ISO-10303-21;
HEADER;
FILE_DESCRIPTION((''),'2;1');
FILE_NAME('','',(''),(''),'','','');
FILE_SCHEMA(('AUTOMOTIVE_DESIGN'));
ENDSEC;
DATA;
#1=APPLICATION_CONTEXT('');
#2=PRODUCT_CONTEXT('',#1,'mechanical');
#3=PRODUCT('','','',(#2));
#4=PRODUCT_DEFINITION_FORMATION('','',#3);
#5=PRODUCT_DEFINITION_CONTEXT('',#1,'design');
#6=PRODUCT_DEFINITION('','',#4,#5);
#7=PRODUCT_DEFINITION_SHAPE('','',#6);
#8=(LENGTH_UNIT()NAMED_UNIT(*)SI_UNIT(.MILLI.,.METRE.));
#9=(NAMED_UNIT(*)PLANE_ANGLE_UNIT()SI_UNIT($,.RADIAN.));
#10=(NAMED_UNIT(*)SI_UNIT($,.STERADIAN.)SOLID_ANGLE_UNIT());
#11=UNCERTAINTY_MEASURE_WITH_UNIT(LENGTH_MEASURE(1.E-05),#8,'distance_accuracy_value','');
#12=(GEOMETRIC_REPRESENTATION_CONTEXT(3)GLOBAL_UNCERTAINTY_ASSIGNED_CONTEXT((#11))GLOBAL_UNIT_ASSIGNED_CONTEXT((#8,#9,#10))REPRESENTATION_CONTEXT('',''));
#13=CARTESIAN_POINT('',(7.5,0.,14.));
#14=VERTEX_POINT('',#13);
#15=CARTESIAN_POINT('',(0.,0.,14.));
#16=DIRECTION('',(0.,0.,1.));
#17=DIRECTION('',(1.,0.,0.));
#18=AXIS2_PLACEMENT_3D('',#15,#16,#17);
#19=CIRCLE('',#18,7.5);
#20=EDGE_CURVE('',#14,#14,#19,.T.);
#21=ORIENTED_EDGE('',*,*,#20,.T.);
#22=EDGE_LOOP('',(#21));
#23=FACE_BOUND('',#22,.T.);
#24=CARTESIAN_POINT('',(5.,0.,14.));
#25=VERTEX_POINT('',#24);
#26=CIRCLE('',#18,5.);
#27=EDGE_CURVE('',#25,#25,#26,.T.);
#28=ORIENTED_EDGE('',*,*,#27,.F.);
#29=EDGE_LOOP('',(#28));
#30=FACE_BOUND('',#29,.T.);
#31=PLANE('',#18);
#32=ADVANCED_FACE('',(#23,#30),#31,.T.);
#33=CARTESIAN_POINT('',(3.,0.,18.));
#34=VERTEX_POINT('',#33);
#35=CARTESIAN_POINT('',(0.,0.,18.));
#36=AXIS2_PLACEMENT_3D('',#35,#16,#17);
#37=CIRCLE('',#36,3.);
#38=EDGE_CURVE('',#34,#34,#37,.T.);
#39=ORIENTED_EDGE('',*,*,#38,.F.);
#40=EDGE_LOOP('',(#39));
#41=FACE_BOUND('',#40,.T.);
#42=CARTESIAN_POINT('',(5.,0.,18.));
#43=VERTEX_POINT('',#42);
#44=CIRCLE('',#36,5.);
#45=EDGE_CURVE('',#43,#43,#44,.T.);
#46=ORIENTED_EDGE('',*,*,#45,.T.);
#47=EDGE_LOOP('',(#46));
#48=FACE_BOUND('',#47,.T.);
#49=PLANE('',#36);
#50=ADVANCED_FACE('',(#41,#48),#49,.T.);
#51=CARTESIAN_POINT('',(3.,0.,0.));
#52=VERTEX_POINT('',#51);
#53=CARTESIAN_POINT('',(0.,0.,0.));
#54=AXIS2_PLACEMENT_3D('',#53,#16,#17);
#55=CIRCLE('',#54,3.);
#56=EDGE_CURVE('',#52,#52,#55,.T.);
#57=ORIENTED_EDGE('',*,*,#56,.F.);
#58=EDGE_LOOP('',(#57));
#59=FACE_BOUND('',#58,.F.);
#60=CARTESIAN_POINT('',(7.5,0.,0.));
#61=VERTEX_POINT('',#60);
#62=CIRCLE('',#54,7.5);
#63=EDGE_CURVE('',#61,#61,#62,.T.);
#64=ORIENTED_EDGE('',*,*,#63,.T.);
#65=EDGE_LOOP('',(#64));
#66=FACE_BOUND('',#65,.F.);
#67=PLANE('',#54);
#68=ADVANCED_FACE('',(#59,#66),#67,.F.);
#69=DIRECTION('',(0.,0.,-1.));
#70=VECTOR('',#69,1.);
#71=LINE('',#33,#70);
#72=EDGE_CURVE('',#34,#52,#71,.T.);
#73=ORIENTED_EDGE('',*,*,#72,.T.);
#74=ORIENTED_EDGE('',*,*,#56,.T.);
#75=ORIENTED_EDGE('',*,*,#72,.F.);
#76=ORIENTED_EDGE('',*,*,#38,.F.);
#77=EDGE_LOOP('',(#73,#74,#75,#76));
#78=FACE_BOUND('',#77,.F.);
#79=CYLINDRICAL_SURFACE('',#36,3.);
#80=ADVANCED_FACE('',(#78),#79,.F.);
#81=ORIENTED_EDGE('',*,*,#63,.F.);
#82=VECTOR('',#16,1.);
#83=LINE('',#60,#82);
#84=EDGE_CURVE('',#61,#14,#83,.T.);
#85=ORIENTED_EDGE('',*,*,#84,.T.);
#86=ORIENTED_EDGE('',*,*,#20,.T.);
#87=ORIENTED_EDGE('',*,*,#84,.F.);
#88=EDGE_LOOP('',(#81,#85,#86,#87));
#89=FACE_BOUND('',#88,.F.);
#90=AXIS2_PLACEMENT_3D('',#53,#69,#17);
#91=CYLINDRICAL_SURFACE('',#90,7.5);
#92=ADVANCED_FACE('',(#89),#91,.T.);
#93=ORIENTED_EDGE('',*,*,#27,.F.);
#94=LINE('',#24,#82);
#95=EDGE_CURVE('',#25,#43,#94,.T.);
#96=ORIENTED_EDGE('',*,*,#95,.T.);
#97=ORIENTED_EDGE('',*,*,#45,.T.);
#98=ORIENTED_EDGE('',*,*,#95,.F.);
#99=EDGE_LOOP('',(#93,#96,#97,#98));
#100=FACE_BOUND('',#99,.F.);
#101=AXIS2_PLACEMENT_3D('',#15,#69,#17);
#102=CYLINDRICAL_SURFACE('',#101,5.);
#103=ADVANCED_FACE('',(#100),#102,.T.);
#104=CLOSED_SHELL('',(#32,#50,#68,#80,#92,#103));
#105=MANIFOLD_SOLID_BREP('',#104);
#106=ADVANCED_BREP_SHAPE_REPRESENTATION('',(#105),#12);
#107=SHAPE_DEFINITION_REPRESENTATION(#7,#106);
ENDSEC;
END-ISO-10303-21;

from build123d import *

# Parameters (mm, degrees)
SKETCH_R     = 7.5
PAD_DEPTH    = 14
SKETCH001_R  = 5
PAD001_DEPTH = 4
SKETCH002_R  = 3
POCKET_DEPTH = 18.001


with BuildPart() as part:
    # Sketch → Pad (new body)
    with BuildSketch(Plane.XY):
        Circle(SKETCH_R)
    extrude(amount=PAD_DEPTH)

    # Sketch001 (on Face3 of Pad) → Pad001 (join)
    with BuildSketch(Plane.XY.offset(14)):
        Circle(SKETCH001_R)
    extrude(amount=PAD001_DEPTH)

    # Sketch002 (on Face5 of Pad001) → Pocket (cut, through all)
    with BuildSketch(Plane.XY.offset(18)):
        Circle(SKETCH002_R)
    extrude(amount=-POCKET_DEPTH, mode=Mode.SUBTRACT)


solid = part.part
